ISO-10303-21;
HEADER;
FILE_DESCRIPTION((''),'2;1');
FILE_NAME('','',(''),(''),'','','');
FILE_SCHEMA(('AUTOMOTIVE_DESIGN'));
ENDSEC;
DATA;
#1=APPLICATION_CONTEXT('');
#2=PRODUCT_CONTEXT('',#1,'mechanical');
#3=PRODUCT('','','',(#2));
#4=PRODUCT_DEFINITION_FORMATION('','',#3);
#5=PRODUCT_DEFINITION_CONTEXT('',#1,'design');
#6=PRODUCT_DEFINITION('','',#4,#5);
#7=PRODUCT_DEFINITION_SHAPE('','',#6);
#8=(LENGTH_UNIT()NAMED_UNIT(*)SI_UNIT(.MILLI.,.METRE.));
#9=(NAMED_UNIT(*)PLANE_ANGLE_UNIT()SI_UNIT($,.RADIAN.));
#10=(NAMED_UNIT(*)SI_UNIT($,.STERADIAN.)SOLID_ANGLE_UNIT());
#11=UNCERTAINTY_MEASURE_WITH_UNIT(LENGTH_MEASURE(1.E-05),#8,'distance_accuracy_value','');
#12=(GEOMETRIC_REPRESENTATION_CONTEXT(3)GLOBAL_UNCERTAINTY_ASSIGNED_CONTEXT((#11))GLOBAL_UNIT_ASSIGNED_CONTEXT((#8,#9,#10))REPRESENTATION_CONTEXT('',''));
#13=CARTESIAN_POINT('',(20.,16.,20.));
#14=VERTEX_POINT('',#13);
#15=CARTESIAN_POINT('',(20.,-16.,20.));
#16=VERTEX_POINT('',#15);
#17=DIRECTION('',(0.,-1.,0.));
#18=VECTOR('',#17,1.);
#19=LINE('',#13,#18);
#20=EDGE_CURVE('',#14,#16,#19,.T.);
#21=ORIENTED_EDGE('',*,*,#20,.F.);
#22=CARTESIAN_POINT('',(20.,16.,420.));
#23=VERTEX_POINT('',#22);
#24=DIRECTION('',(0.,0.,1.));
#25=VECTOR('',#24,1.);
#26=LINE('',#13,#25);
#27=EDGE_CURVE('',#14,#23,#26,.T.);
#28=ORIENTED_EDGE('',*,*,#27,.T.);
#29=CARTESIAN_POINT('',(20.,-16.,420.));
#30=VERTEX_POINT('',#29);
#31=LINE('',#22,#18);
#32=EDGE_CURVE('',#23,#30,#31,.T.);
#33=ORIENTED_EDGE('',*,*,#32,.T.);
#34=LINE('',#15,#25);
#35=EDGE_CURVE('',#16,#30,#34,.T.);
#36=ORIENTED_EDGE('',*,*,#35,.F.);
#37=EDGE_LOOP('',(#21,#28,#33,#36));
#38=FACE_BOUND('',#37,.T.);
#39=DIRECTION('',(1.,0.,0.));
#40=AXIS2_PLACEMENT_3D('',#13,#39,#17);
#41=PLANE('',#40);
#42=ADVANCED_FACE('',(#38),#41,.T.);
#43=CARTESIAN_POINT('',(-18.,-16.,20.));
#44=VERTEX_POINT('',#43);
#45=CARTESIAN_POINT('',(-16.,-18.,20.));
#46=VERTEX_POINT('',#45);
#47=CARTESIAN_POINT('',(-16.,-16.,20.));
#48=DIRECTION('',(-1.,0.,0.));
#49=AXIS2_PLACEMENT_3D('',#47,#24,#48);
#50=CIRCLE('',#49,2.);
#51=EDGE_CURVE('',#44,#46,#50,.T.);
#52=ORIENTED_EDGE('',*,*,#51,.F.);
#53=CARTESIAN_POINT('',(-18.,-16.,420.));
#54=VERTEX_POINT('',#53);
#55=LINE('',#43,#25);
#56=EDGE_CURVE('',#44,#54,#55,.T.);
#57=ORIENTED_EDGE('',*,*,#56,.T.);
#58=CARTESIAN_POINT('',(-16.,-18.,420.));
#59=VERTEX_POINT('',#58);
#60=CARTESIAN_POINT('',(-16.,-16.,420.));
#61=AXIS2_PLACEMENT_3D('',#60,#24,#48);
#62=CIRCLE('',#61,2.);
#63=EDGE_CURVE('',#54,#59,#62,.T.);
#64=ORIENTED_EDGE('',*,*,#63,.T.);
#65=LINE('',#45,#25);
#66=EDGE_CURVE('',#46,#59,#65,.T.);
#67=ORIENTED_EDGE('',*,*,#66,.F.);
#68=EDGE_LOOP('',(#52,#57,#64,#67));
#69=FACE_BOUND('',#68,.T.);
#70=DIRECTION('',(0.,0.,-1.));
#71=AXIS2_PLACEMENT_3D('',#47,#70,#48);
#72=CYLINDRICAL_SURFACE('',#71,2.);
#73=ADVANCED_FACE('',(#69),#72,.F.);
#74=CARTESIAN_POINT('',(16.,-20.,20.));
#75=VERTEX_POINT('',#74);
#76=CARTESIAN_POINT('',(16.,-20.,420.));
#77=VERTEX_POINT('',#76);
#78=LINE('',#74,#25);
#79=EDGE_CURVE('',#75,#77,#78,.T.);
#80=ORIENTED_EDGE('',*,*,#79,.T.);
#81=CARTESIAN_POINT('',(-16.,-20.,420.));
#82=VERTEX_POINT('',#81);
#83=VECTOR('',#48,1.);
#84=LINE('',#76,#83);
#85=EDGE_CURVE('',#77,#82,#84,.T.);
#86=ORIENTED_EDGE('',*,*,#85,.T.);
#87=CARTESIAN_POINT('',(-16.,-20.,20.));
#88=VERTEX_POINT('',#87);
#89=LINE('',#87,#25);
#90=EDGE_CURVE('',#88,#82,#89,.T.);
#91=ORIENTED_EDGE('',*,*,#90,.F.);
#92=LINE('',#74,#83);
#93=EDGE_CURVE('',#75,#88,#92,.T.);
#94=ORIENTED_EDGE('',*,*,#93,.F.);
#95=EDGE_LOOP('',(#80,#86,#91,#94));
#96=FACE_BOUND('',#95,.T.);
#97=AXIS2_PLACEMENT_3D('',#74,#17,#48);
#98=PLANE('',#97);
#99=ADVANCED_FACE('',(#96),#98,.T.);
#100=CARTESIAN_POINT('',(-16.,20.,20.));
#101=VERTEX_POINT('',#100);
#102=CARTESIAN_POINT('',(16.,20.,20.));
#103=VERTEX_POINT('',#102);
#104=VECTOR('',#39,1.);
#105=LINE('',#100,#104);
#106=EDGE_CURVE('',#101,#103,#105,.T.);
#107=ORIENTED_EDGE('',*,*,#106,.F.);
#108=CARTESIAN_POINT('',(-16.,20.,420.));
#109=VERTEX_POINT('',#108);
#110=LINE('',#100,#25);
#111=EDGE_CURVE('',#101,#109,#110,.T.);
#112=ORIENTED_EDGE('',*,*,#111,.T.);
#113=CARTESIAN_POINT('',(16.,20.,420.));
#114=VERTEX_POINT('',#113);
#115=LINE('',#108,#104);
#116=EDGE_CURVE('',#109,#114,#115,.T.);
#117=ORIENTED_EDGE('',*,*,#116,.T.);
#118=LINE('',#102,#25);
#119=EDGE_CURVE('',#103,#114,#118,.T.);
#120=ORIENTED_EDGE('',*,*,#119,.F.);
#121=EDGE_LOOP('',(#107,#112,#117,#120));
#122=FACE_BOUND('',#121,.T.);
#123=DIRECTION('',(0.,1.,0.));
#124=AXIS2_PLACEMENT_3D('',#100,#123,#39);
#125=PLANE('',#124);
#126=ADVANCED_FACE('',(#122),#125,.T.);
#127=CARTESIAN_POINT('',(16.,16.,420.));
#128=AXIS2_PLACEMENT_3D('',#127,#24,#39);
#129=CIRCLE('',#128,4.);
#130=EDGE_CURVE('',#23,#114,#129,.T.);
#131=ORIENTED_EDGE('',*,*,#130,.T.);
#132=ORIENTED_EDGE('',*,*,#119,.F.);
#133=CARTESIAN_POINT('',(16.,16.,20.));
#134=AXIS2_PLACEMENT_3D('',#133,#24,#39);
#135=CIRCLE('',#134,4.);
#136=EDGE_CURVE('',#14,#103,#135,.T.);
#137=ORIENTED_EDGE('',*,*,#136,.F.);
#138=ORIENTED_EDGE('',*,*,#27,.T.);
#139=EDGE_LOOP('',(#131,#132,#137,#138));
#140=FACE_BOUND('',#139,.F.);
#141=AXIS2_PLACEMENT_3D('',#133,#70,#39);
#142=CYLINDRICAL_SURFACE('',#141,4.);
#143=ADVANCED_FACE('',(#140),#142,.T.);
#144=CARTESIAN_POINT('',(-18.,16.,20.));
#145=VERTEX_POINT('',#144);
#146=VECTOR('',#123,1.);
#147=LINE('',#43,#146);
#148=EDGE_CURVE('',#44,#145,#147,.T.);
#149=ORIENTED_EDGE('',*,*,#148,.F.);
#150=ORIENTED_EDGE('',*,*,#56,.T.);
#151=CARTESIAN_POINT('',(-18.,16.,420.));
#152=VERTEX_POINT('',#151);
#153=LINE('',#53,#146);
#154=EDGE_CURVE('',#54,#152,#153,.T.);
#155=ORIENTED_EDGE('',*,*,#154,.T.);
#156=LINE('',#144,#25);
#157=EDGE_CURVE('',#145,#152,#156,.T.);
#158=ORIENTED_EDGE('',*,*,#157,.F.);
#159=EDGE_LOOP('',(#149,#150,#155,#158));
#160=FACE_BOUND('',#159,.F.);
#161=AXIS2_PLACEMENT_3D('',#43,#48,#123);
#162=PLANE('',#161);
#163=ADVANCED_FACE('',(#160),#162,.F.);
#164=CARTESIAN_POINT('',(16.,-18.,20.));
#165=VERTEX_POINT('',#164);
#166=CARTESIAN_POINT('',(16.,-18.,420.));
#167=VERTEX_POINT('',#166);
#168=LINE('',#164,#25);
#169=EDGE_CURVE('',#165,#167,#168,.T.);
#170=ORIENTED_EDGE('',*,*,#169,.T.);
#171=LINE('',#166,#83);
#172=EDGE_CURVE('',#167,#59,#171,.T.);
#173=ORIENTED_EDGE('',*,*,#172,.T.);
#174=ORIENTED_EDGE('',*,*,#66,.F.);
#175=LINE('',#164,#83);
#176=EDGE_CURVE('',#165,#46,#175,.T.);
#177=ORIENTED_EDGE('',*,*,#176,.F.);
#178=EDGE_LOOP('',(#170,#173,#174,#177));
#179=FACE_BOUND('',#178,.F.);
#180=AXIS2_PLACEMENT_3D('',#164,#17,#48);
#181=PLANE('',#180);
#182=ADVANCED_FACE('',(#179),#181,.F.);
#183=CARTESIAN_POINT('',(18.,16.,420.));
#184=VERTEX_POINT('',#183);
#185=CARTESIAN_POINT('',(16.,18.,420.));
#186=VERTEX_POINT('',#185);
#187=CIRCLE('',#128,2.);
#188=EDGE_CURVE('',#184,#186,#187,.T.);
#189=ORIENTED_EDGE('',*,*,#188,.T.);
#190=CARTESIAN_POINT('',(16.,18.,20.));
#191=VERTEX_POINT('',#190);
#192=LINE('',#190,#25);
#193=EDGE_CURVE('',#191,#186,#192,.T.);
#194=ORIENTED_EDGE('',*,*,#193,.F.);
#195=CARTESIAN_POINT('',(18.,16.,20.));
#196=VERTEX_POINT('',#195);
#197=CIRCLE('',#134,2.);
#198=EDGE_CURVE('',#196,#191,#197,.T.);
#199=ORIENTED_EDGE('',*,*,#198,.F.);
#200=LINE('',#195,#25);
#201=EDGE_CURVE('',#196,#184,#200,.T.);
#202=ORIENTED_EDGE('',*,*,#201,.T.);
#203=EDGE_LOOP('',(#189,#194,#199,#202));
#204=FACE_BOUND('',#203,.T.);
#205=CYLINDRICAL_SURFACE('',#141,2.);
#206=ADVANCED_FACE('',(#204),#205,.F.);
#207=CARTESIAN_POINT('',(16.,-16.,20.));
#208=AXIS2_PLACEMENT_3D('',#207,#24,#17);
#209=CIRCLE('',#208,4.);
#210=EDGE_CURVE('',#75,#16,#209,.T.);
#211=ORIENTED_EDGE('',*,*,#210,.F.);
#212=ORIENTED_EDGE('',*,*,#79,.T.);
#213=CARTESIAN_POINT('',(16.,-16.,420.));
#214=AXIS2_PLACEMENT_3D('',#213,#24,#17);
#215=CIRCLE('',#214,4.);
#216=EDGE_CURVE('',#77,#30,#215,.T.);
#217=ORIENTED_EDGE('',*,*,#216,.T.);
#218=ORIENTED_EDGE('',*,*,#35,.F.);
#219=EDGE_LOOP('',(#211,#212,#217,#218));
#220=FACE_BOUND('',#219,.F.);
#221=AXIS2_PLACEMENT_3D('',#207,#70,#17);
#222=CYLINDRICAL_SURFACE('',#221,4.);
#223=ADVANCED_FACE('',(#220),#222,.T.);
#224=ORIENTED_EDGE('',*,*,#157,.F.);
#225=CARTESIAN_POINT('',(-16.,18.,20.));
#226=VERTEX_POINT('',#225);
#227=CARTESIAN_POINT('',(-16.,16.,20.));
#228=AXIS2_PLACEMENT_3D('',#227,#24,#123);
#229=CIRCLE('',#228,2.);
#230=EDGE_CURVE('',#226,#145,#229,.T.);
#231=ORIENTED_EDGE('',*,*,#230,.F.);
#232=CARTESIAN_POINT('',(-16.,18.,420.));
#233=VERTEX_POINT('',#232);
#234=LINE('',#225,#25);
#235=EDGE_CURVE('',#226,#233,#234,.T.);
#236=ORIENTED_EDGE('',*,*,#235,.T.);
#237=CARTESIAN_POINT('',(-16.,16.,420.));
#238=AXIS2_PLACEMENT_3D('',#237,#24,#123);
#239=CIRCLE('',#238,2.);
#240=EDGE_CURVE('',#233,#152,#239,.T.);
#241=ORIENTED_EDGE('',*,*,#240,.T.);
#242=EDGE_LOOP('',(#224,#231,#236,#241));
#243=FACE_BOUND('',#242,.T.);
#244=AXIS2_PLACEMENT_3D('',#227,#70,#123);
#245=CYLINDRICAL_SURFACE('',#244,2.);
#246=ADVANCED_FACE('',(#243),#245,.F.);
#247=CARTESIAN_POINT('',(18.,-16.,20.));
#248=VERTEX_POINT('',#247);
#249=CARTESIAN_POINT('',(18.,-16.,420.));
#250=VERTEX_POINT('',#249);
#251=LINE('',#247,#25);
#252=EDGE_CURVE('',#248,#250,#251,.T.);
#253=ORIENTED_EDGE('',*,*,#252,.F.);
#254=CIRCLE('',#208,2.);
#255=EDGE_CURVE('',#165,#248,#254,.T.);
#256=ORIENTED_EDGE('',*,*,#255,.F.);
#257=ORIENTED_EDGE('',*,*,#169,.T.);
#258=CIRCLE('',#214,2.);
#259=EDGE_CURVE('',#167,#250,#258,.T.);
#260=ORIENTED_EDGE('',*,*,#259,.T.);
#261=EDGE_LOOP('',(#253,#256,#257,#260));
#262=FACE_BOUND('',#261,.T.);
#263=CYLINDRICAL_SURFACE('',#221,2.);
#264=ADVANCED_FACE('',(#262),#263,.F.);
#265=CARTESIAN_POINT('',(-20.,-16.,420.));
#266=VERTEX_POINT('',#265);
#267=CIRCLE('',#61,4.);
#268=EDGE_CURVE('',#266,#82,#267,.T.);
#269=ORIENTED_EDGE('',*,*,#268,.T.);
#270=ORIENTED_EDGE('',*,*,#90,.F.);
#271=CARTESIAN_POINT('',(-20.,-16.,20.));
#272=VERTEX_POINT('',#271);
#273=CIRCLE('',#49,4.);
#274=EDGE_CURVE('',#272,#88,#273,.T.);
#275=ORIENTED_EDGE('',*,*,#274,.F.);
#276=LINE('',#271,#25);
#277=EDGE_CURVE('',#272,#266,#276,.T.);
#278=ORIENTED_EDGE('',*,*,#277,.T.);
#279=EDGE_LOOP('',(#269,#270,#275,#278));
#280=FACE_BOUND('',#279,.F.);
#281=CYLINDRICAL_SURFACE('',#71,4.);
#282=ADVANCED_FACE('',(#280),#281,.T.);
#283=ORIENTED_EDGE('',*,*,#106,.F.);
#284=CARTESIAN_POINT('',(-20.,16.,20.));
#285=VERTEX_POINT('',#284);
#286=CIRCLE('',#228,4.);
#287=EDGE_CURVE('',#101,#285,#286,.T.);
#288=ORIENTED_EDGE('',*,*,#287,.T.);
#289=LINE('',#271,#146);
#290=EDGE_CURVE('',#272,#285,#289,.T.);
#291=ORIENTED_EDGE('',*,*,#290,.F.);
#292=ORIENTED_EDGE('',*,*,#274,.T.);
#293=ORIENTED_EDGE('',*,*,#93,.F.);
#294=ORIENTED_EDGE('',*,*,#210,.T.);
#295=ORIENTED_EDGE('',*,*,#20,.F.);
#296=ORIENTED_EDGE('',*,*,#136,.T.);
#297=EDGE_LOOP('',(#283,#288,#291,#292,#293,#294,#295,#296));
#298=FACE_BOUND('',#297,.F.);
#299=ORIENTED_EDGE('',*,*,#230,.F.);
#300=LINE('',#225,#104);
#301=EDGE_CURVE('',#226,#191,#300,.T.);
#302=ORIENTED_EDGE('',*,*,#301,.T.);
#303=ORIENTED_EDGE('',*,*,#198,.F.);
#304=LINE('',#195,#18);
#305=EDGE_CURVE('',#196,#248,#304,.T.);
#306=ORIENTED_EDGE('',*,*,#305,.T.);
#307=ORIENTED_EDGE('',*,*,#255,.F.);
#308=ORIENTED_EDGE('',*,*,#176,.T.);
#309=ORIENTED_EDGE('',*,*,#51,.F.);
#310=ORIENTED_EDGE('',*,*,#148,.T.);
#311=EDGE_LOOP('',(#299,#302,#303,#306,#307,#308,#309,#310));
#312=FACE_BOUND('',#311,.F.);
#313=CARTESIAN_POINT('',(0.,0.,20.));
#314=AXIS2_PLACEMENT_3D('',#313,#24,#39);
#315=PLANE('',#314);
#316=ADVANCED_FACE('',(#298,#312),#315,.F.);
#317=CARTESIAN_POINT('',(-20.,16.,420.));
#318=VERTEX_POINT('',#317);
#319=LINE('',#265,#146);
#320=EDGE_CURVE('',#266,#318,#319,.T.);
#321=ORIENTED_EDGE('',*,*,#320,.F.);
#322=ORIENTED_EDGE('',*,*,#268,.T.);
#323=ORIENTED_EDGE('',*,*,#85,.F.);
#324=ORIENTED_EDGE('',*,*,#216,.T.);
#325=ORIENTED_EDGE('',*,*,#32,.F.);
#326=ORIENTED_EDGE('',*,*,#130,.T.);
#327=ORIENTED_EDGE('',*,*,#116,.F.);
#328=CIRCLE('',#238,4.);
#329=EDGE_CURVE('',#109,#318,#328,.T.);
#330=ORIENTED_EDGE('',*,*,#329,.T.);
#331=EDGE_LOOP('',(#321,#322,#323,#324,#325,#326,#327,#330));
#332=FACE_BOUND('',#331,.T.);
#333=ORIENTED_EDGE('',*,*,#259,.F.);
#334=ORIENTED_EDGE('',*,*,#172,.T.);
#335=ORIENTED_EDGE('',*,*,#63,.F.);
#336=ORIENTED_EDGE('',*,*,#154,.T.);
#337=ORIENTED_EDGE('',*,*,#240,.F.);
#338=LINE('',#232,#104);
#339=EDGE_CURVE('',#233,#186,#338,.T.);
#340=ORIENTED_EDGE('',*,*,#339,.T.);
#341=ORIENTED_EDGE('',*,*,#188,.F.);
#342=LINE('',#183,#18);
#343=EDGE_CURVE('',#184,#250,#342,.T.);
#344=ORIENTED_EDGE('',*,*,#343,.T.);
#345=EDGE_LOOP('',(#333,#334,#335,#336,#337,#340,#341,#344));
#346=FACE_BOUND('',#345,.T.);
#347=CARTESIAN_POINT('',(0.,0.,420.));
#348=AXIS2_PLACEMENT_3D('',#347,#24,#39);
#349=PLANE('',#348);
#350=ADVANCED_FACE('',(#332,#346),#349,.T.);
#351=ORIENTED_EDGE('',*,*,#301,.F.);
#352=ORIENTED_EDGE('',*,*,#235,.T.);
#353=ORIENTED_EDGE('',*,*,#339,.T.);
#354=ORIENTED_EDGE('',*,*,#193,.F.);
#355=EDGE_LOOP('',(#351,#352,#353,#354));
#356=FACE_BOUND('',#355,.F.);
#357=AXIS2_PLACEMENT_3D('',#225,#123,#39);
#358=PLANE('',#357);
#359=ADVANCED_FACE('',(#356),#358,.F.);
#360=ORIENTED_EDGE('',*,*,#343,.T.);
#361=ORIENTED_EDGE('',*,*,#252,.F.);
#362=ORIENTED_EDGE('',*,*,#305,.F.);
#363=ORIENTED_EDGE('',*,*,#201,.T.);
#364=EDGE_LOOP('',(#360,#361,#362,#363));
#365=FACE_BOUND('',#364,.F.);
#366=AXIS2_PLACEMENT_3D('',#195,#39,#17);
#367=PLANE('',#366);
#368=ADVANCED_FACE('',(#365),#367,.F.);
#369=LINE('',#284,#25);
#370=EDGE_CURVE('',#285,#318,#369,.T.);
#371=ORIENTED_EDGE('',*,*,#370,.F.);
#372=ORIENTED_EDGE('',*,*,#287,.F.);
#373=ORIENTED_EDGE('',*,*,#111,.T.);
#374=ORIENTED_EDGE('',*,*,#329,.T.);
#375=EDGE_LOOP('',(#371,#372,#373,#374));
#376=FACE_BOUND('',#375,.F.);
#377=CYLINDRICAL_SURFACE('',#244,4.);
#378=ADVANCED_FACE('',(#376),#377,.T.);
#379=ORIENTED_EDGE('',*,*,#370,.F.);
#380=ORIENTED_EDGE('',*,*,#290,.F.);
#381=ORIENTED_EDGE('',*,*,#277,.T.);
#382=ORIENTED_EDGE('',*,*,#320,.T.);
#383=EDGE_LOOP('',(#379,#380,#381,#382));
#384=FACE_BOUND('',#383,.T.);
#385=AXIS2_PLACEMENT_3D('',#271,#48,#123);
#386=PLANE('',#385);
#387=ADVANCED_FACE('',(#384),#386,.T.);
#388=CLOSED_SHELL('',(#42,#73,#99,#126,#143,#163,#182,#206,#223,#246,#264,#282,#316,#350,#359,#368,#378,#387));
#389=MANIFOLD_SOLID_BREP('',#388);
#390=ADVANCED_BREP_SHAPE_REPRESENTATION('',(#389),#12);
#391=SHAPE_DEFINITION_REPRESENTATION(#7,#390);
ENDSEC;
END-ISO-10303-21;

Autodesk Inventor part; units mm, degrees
ref_plane "YZ Plane" through (0, 0, 0) normal (1, 0, 0) x (0, 1, 0)
ref_plane "Start Plane" through (0, 0, 20) normal (0, 0, 1) x (1, 0, 0)
ref_plane "End Plane" through (0, 0, 420) normal (0, 0, 1) x (1, 0, 0)
sketch "Sketch" plane through (0, 0, 0) normal (0, 0, 1) x (1, 0, 0)
  line L0 (-20, -16) -> (-20, 16)
  line L1 (-16, 20) -> (16, 20)
  line L2 (20, 16) -> (20, -16)
  line L3 (16, -20) -> (-16, -20)
  arc A0 (-20, -16) -> (-16, -20) centre (-16, -16) ccw
  arc A1 (20, 16) -> (16, 20) centre (16, 16) ccw
  arc A2 (-16, 20) -> (-20, 16) centre (-16, 16) ccw
  arc A3 (16, -20) -> (20, -16) centre (16, -16) ccw
  arc A4 (-16, 18) -> (-18, 16) centre (-16, 16) ccw
  line L4 (-16, 18) -> (16, 18)
  arc A5 (18, 16) -> (16, 18) centre (16, 16) ccw
  line L5 (18, 16) -> (18, -16)
  arc A6 (16, -18) -> (18, -16) centre (16, -16) ccw
  line L6 (16, -18) -> (-16, -18)
  arc A7 (-18, -16) -> (-16, -18) centre (-16, -16) ccw
  line L7 (-18, -16) -> (-18, 16)
  line L8 (0, 29.1598) -> (0, -29.1598) construction
  line L9 (-29.1598, 0) -> (29.1598, 0) construction
  dimension "d7" = 4
  dimension "d9" = 40
  dimension "d11" = 40
  dimension "d12" = 2
  dimension "d15" = 20
  dimension "d16" = 20
extrude "Body" add sketch "Sketch" along normal up to surface (400 mm away) from surface at 20
sketch "Sketch3" plane through (0, 0, 0) normal (0, 0, 1) x (1, 0, 0)
  line L0 (0, 0) -> (10, 0)
ref_plane "Work Plane3" through (0, 0, 0) normal (0, -1, 0) x (1, 0, 0)
sketch "Sketch4" plane through (0, 0, 0) normal (0, -1, 0) x (1, 0, 0)
  line L0 (-2, 20) -> (12, 20) projected
  line L1 (-2, 420) -> (12, 420) projected
  dimension "d18" = 400
equation "\"d7\" = G_IR"
equation "\"d9\" = G_W"
equation "\"d11\" = G_H"
equation "\"d12\" = G_T"
equation "\"d15\" = 0.5 * d9"
equation "\"d16\" = 0.5 * d11"
equation "\"d3\" = G_L"
equation "\"G_W\" = 40"
equation "\"G_H\" = 40"
equation "\"G_T\" = 2"
equation "\"G_IR\" = 4"
equation "\"G_L\" = d18"
properties part number "ISO 10799-2 - 40x40x2 - 400" material "Steel, Mild"
